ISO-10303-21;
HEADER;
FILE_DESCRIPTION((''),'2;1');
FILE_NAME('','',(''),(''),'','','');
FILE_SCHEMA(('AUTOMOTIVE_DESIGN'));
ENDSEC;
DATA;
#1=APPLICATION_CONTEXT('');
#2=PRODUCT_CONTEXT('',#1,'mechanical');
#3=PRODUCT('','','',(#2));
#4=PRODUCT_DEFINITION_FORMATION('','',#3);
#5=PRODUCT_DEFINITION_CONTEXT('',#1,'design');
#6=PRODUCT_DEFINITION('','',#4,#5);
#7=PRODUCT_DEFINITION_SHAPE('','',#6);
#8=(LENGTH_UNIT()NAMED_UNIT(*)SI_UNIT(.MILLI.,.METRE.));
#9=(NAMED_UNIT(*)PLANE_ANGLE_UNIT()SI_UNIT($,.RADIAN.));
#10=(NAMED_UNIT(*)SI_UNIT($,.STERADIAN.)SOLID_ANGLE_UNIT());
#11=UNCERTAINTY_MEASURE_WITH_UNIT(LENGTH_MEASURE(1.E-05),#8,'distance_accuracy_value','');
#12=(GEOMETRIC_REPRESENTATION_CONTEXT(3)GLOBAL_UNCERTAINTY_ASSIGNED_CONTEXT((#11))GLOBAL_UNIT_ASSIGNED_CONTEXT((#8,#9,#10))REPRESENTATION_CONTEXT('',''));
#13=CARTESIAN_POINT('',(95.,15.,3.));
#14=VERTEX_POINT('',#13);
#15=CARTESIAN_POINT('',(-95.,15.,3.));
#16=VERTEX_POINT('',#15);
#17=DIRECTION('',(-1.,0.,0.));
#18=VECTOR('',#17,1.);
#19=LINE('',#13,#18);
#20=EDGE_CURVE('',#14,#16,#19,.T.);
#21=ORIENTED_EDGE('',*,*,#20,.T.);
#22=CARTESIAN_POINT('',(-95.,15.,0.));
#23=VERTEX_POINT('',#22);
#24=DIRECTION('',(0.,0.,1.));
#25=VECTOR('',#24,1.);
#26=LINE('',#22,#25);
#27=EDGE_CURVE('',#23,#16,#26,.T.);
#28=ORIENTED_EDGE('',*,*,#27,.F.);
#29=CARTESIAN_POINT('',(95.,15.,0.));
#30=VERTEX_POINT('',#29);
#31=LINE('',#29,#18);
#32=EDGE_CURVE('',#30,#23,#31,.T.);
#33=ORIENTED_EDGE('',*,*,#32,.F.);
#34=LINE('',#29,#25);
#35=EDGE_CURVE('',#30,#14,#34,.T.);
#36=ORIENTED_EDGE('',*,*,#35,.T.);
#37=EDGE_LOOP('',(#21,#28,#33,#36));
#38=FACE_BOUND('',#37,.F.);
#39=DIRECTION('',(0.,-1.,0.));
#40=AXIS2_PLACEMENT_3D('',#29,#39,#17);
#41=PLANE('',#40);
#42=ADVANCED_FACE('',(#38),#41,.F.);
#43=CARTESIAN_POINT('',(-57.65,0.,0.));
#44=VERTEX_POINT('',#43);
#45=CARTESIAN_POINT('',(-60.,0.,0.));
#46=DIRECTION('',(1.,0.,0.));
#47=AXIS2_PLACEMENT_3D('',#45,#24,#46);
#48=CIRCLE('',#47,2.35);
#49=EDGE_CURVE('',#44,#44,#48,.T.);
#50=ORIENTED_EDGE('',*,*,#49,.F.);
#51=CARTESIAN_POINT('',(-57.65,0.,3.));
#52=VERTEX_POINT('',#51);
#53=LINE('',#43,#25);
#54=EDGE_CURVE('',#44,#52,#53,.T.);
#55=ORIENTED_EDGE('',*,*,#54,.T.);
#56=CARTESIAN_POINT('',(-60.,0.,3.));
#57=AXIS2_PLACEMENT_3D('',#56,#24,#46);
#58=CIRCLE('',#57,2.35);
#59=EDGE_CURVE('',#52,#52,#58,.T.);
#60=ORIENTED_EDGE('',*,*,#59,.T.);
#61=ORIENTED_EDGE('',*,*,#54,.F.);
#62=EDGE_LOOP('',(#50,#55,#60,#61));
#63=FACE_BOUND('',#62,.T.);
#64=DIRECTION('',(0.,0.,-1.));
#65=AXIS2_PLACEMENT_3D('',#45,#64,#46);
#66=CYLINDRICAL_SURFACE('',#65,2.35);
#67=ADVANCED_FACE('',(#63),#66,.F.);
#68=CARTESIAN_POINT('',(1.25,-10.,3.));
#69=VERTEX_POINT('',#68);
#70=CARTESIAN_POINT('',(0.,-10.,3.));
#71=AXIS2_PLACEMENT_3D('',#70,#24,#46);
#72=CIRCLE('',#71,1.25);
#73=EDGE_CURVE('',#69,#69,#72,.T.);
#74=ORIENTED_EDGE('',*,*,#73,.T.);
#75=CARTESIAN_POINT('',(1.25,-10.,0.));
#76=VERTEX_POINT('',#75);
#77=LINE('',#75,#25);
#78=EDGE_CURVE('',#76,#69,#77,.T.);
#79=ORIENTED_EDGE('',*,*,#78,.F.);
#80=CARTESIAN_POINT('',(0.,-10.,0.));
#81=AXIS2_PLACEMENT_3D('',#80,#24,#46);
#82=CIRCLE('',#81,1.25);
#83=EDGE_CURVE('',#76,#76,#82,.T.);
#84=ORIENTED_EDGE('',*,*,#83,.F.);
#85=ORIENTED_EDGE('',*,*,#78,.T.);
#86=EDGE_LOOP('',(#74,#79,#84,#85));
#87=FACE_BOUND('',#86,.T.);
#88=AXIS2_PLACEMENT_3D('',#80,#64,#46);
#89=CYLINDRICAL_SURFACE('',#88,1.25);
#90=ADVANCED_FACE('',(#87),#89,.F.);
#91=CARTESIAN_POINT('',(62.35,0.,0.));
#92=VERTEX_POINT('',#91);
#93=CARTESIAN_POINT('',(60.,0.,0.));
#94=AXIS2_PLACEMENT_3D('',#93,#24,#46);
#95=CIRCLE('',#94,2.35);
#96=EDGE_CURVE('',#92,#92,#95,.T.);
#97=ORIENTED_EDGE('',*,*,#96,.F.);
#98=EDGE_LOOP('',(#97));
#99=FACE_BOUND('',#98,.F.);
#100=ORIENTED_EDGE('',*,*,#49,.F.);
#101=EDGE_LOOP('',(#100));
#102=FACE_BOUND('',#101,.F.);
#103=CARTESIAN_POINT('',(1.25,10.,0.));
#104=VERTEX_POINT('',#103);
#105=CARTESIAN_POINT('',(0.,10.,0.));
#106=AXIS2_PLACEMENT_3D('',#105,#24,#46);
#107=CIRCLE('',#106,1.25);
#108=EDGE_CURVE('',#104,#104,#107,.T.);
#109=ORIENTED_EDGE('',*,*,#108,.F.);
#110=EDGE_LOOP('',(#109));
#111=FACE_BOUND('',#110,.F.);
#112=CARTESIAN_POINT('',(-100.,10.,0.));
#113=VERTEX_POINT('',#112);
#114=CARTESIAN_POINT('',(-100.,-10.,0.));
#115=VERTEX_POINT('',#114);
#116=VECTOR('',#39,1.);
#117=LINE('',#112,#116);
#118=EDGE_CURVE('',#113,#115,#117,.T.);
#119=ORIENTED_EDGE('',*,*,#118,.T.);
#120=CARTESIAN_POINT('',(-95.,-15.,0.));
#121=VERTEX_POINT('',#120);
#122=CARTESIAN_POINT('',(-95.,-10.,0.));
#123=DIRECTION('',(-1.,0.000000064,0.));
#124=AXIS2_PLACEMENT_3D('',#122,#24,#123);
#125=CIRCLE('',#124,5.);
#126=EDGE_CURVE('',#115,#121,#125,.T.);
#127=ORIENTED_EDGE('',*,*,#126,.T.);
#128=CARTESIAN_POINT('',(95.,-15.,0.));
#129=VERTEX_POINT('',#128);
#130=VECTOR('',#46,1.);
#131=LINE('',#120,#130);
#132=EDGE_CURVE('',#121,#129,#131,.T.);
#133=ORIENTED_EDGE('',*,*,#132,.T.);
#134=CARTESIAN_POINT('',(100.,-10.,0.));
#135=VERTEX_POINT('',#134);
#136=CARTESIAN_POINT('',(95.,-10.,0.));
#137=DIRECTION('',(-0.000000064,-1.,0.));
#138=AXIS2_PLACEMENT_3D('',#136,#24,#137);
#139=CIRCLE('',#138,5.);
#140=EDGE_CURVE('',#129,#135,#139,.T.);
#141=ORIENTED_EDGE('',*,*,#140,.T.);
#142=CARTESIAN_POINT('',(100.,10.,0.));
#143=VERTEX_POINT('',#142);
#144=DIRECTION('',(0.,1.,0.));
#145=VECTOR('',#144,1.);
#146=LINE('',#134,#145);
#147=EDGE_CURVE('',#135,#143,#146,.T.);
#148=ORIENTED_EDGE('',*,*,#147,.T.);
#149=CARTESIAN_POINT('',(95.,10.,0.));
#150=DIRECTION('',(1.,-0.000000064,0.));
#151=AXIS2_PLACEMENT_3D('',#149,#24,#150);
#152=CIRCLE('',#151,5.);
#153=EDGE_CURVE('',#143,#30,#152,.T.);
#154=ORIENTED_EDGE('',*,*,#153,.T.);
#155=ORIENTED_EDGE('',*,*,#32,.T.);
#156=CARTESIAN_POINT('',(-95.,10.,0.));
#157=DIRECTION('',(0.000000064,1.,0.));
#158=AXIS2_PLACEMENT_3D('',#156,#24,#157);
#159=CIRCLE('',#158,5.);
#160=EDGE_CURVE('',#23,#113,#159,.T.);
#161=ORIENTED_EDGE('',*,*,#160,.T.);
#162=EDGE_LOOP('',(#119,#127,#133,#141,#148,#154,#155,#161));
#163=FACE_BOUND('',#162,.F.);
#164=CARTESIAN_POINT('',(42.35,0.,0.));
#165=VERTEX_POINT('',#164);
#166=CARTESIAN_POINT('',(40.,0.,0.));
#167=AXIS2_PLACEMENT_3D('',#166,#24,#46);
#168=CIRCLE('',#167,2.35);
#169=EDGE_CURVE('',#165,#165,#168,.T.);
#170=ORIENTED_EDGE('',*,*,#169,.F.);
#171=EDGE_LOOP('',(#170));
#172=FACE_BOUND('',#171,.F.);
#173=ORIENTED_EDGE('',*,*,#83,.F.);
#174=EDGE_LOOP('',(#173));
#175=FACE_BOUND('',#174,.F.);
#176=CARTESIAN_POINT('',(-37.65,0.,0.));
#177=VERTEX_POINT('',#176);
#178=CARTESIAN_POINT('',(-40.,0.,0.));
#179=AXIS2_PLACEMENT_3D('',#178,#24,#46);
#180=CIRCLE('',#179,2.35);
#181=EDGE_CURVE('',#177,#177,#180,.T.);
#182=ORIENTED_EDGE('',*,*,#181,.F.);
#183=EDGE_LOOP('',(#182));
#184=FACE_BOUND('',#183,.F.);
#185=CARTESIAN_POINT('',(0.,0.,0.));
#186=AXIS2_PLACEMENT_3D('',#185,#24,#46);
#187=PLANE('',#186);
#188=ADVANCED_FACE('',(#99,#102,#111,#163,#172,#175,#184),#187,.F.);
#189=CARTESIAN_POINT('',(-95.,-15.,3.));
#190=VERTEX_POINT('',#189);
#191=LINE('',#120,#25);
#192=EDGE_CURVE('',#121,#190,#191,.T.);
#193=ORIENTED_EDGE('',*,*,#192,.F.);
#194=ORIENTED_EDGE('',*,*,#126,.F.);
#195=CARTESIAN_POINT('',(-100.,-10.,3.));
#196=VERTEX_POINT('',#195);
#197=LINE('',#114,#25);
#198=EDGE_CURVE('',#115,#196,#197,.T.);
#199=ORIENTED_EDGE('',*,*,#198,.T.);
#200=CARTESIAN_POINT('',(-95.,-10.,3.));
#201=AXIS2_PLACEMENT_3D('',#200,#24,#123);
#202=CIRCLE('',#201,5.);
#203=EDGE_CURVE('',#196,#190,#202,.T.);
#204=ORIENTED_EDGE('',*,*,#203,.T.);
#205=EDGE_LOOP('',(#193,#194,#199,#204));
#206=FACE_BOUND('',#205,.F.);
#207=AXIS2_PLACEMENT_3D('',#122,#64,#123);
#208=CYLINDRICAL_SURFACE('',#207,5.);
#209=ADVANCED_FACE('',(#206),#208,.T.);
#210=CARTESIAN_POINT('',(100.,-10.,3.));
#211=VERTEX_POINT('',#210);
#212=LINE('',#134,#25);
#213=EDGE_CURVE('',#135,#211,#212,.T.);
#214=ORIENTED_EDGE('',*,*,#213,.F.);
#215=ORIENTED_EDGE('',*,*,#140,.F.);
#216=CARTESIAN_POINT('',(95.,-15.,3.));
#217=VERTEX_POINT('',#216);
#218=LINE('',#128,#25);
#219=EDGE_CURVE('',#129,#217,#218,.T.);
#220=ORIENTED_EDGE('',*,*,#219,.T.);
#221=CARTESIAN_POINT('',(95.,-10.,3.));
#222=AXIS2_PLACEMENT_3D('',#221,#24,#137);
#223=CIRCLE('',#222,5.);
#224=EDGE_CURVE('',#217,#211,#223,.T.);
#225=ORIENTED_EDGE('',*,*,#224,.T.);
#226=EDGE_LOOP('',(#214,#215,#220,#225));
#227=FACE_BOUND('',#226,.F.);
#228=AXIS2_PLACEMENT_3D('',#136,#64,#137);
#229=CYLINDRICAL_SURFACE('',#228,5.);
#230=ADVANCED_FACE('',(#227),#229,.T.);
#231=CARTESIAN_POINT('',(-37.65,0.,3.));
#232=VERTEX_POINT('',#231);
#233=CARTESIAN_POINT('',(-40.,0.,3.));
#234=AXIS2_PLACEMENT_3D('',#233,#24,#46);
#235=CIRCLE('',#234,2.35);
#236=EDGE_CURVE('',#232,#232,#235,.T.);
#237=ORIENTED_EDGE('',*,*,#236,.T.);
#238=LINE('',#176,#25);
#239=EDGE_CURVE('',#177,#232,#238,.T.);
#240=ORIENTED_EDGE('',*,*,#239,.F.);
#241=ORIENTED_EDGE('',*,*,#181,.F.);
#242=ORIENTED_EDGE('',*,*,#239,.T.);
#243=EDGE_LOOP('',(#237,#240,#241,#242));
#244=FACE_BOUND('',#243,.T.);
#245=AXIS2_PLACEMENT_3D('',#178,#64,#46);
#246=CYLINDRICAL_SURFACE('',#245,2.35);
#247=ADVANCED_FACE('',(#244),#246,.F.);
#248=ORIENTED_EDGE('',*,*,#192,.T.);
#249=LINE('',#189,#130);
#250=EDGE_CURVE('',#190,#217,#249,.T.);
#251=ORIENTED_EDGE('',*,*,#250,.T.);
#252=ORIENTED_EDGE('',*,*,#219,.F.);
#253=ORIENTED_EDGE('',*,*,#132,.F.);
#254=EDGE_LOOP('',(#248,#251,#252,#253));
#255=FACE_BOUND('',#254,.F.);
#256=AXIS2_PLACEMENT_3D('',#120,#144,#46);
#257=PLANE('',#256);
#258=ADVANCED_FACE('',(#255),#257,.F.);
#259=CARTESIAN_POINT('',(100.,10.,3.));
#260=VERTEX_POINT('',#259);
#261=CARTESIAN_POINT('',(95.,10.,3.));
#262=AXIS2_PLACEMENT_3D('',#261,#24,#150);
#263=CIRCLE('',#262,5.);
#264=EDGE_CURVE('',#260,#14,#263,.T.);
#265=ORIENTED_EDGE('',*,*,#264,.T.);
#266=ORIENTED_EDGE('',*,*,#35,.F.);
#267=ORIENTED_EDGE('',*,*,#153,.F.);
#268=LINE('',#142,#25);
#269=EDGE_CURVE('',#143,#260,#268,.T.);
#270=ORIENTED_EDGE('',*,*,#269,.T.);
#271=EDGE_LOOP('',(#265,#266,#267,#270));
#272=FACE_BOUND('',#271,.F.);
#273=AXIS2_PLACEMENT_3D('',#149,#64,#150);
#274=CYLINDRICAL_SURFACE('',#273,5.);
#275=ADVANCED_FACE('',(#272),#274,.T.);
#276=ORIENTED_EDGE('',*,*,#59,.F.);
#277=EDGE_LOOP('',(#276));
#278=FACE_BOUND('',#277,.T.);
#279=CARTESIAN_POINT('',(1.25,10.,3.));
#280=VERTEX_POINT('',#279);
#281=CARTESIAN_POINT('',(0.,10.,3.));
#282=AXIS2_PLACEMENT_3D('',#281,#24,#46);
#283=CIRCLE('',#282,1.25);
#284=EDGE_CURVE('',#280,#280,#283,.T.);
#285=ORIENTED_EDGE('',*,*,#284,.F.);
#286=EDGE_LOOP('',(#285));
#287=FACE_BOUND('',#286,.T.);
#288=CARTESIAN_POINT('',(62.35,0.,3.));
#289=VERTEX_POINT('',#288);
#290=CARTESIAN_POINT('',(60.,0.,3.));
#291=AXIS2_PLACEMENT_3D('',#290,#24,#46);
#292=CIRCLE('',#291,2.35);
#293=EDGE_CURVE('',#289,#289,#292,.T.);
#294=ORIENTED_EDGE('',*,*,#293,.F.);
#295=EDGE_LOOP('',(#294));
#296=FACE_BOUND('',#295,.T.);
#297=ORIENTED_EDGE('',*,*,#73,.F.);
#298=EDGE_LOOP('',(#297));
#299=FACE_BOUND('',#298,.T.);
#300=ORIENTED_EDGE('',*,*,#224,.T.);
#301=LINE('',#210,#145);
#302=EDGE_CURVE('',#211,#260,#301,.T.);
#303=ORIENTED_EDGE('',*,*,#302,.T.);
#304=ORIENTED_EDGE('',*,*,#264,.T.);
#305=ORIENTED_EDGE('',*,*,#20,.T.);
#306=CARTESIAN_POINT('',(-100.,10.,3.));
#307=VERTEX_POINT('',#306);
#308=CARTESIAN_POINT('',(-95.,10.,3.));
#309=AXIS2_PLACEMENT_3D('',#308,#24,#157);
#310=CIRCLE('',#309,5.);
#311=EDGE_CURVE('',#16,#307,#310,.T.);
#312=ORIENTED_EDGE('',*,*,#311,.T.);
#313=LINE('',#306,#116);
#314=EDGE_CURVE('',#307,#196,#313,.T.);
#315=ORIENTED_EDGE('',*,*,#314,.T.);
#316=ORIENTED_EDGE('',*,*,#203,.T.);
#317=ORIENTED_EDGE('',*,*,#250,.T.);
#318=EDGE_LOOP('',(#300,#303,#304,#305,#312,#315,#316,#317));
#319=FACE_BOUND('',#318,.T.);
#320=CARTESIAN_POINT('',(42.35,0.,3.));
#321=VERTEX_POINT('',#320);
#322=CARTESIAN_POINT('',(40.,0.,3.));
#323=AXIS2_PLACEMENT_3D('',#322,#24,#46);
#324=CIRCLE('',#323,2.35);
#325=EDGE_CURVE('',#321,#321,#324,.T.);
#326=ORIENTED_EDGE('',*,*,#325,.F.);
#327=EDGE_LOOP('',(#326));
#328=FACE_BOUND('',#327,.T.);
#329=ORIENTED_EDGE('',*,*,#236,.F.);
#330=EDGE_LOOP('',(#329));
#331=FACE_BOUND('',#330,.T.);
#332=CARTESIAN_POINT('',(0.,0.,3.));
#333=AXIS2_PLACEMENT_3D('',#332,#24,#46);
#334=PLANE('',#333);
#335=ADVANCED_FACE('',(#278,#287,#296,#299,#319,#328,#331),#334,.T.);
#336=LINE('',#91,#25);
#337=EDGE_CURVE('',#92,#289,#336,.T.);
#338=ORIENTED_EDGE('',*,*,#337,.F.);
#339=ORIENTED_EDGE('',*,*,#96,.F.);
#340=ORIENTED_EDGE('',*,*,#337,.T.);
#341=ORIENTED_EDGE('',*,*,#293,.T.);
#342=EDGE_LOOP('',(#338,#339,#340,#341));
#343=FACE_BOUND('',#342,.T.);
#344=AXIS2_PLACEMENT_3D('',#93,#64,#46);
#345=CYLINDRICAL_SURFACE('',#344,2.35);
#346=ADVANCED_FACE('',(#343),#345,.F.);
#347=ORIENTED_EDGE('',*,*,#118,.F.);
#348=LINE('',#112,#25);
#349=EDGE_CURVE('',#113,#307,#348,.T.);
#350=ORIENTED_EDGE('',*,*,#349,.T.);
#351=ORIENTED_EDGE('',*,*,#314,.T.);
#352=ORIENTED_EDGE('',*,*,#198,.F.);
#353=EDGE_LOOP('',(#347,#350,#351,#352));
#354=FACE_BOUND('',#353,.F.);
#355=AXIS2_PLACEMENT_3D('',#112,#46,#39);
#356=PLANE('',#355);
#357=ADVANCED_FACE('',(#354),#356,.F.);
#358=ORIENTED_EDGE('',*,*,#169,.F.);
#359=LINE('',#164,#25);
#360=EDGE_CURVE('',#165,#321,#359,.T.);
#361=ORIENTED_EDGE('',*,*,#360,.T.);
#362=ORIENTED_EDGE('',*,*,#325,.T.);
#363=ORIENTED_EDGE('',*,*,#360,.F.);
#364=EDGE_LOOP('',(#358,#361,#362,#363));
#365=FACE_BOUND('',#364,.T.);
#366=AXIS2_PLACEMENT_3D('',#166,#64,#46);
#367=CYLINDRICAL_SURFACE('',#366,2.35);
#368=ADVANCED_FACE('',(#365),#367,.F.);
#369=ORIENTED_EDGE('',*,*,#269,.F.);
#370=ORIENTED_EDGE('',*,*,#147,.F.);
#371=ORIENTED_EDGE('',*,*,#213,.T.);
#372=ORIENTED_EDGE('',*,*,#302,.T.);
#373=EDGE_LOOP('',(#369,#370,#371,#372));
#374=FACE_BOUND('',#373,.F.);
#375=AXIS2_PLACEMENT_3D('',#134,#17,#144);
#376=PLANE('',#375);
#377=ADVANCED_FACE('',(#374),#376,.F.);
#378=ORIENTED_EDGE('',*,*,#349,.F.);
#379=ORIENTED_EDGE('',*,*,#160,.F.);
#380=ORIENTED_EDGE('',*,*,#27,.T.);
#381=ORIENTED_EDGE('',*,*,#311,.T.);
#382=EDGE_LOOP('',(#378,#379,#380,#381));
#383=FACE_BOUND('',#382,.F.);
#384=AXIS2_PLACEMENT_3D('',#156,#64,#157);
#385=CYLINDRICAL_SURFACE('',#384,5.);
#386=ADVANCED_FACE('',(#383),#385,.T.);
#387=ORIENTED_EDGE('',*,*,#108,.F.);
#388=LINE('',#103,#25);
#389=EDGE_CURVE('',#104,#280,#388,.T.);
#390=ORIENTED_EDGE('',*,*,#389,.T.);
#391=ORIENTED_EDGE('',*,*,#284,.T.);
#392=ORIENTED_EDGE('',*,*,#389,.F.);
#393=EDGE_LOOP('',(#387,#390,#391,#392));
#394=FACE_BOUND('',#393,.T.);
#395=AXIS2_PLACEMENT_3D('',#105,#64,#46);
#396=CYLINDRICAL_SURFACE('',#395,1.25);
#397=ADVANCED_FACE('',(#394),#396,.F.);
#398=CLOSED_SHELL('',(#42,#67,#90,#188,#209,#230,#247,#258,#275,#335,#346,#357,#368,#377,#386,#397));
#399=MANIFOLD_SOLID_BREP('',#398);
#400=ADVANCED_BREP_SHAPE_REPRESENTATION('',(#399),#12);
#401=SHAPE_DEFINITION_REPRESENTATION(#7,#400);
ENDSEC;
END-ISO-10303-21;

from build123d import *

# Parameters (mm, degrees)
F0_R     = 1.25
F0_R_2   = 2.35
F1_DEPTH = 3


with BuildPart() as f1:
    # F0 (on Top) → F1 (new body)
    with BuildSketch(Plane.XY):
        with BuildLine():
            Line((-95, -15), (95, -15))
            ThreePointArc((95, -15), (98.535534, -13.535534), (100, -10))
            Line((100, -10), (100, 10))
            ThreePointArc((100, 10), (98.535534, 13.535534), (95, 15))
            Line((95, 15), (-95, 15))
            ThreePointArc((-95, 15), (-98.535534, 13.535534), (-100, 10))
            Line((-100, 10), (-100, -10))
            ThreePointArc((-100, -10), (-98.535534, -13.535534), (-95, -15))
        make_face()
        with Locations((0, -10)):
            Circle(F0_R, mode=Mode.SUBTRACT)
        with Locations((-60, 0)):
            Circle(F0_R_2, mode=Mode.SUBTRACT)
        with Locations((-40, 0)):
            Circle(F0_R_2, mode=Mode.SUBTRACT)
        with Locations((40, 0)):
            Circle(F0_R_2, mode=Mode.SUBTRACT)
        with Locations((60, 0)):
            Circle(F0_R_2, mode=Mode.SUBTRACT)
        with Locations((0, 10)):
            Circle(F0_R, mode=Mode.SUBTRACT)
    extrude(amount=F1_DEPTH)


solid = f1.part
